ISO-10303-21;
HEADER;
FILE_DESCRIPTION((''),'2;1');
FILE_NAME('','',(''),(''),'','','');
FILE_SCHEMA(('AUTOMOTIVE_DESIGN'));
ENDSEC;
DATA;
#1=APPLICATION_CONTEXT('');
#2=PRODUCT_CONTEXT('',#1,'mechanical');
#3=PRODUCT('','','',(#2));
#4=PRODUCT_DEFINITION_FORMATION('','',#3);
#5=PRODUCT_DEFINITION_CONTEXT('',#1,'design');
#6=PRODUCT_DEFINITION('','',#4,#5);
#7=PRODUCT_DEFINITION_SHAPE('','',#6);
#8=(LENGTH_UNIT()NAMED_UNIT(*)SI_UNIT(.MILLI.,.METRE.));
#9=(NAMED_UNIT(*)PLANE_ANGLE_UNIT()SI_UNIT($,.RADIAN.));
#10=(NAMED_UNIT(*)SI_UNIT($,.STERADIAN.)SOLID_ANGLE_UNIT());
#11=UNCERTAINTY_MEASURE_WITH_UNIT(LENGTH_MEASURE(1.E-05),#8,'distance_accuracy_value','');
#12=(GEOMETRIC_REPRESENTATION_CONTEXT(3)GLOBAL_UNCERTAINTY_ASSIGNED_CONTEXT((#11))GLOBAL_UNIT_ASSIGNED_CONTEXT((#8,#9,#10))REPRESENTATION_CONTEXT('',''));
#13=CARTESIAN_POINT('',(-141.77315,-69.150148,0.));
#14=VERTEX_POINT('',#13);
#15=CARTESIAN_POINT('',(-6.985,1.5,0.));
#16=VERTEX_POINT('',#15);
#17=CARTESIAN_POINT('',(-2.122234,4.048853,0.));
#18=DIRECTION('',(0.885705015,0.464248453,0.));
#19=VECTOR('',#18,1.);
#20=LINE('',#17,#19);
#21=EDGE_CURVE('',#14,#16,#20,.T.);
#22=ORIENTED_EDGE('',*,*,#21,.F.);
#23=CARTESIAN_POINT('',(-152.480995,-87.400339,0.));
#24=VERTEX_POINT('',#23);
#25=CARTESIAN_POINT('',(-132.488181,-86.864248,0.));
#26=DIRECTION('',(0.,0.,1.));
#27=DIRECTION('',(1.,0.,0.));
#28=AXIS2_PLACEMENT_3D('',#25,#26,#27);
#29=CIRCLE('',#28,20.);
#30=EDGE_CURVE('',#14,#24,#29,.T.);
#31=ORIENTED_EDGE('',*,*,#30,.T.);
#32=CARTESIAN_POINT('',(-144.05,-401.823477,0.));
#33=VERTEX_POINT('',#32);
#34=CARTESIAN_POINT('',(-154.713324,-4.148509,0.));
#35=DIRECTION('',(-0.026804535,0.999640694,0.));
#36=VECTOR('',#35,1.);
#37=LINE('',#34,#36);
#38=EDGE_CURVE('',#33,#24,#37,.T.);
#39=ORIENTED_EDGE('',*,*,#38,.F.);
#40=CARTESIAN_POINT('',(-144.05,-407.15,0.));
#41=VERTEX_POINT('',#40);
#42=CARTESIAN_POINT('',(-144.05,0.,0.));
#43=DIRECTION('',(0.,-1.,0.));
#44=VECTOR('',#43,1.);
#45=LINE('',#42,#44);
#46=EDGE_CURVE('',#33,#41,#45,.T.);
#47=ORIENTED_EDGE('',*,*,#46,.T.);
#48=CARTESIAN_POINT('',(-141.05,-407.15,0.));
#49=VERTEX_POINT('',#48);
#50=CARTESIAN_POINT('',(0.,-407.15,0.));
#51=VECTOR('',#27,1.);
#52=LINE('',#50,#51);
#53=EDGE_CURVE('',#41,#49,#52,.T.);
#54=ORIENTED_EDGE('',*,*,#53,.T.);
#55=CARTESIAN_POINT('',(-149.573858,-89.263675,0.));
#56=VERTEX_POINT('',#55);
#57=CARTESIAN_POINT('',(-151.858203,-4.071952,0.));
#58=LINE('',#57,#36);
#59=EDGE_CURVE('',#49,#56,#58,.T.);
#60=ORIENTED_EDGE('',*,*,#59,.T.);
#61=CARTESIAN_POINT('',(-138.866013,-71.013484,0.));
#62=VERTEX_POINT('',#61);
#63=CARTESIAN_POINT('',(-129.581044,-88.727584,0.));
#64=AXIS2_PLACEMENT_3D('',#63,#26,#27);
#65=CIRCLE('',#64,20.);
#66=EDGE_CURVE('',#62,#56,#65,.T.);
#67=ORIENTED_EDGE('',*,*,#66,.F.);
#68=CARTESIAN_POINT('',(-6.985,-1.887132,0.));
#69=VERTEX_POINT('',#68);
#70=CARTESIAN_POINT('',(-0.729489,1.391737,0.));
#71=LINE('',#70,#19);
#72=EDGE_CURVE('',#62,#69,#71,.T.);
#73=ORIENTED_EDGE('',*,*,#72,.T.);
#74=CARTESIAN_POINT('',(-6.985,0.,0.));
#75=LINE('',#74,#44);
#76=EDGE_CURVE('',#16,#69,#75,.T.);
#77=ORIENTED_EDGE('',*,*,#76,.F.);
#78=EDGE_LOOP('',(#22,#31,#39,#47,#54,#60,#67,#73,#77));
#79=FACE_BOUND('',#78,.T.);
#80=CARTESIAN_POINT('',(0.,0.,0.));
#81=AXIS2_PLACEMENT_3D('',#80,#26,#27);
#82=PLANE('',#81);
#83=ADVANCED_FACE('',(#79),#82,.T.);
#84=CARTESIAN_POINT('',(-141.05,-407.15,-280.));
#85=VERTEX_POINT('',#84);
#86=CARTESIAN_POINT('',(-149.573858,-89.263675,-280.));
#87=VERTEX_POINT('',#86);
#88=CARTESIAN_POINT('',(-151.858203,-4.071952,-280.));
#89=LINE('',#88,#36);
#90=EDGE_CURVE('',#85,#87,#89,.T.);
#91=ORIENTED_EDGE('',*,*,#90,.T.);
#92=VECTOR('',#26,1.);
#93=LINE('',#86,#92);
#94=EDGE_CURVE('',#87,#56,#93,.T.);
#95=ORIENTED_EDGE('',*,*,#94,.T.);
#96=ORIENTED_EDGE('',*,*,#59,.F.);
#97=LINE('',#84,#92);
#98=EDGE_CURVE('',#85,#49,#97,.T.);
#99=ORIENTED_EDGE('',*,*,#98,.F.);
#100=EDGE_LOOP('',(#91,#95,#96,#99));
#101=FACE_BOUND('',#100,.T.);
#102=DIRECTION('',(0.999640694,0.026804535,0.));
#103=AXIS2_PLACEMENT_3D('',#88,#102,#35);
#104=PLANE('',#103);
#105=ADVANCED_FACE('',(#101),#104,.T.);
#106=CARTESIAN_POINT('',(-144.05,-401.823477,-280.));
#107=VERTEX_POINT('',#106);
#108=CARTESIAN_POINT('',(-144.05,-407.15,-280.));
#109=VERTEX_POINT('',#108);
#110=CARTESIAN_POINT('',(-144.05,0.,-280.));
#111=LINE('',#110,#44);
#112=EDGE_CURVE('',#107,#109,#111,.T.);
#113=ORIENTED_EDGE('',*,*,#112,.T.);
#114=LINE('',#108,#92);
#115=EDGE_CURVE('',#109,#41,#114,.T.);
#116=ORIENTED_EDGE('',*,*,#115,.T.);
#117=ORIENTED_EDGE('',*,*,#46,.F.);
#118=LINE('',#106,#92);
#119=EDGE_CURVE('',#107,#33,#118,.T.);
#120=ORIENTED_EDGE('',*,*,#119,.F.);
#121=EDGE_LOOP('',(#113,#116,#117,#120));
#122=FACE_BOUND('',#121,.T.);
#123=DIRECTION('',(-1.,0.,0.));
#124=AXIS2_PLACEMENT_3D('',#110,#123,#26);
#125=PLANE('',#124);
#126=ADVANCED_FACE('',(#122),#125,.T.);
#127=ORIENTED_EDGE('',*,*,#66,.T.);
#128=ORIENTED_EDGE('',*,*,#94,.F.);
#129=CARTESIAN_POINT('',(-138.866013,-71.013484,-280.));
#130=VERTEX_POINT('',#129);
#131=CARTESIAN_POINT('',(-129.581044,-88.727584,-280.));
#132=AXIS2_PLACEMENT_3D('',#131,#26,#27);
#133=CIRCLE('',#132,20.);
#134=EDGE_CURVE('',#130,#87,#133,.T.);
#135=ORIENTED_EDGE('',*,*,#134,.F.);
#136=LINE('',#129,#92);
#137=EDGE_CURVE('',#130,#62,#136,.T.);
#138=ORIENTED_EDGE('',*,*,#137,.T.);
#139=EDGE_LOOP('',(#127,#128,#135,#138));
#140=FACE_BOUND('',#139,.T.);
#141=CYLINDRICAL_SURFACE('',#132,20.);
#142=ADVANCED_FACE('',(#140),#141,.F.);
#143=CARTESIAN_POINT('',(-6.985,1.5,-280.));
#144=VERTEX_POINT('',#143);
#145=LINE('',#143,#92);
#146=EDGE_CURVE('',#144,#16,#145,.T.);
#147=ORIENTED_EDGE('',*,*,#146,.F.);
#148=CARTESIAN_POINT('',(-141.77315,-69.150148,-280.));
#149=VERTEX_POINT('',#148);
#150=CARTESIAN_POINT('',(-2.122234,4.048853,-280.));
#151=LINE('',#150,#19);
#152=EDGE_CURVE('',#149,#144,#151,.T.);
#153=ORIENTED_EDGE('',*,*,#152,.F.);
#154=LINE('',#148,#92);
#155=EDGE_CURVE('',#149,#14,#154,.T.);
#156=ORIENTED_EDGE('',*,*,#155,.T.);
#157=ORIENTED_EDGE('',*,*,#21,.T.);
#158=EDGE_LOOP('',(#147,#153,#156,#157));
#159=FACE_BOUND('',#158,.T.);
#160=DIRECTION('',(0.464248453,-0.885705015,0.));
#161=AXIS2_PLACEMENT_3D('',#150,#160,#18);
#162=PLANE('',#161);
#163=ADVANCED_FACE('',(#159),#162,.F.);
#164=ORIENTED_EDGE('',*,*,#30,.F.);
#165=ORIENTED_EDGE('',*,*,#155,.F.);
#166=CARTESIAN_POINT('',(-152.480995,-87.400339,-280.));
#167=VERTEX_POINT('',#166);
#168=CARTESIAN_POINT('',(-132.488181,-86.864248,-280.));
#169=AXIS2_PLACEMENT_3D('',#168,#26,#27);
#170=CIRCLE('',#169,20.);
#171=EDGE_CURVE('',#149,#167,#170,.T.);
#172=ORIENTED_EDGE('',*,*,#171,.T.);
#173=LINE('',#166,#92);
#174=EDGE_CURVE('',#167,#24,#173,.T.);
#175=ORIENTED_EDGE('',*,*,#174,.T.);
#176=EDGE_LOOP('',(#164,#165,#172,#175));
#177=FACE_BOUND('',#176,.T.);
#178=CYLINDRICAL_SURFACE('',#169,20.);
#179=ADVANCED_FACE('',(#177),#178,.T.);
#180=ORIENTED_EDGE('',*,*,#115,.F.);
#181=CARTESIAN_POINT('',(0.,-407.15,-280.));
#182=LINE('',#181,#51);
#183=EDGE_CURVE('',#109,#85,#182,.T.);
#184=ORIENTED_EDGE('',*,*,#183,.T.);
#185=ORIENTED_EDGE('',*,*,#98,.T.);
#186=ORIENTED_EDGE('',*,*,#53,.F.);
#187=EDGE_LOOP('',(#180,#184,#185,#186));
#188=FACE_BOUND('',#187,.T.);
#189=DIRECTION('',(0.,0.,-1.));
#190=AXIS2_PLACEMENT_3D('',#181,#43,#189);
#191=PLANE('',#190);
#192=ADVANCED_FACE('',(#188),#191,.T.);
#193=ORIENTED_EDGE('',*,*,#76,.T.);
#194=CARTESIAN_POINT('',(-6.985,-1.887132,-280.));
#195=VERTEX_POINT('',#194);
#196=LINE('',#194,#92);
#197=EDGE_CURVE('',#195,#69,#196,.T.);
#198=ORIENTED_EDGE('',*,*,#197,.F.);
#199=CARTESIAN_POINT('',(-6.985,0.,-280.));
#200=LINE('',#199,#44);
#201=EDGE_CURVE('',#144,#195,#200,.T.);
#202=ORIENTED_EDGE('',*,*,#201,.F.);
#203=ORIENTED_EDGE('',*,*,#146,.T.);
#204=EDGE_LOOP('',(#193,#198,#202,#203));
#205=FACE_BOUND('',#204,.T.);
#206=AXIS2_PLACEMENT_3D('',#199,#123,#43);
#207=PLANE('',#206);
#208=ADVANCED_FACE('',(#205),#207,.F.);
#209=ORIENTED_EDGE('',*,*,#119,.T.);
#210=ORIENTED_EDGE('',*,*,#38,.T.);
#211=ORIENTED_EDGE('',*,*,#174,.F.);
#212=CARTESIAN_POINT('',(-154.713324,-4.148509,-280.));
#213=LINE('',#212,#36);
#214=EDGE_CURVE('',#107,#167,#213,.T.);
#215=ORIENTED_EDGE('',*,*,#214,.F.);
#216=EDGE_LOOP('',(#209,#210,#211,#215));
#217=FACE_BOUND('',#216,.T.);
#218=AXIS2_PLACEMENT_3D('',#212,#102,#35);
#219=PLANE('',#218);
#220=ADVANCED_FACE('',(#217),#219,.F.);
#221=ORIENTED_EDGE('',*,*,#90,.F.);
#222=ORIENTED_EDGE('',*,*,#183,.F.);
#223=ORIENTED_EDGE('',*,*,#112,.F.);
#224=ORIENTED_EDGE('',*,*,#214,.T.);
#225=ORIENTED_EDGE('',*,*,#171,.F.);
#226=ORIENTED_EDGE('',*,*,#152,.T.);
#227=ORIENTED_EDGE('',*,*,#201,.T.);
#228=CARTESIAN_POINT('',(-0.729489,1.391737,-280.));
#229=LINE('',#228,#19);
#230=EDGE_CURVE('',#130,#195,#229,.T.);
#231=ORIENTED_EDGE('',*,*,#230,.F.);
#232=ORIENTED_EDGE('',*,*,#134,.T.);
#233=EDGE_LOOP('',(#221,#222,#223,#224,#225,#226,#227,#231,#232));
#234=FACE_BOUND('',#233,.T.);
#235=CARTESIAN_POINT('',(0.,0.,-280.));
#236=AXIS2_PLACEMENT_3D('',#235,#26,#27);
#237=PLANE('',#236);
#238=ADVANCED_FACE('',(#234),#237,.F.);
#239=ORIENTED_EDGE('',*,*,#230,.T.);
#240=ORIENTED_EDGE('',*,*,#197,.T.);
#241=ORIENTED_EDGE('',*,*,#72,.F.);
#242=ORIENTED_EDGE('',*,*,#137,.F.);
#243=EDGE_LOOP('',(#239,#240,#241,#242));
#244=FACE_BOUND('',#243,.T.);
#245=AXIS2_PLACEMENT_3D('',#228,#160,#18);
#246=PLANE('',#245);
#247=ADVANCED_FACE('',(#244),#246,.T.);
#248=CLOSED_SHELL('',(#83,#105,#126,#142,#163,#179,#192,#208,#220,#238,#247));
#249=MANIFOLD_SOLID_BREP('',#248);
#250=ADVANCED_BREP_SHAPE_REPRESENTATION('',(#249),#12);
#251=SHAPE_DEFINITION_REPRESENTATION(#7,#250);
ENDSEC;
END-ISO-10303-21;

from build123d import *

# Parameters (mm, degrees)
BOSS_EXTRUDE1_DEPTH = 280


with BuildPart() as part:
    # Sketch1 → Boss-Extrude1 (new body)
    with BuildSketch(Plane.XY):
        with BuildLine():
            Line((-6.985, -1.5), (-6.985, 0))
            Line((-6.985, 0), (-6.985, 1.5))
            Line((-6.985, 1.5), (-141.773150354, -69.150147775))
            ThreePointArc((-141.773150354, -69.150147775), (-149.738239599, -76.743206199), (-152.480995182, -87.400338774))
            Line((-152.480995182, -87.400338774), (-144.05, -401.823477062))
            Line((-144.05, -401.823477062), (-144.05, -407.15))
            Line((-144.05, -407.15), (-141.05, -407.15))
            Line((-141.05, -407.15), (-149.573857666, -89.263674623))
            ThreePointArc((-149.573857666, -89.263674623), (-146.831102083, -78.606542048), (-138.866012838, -71.013483624))
            Line((-138.866012838, -71.013483624), (-6.985, -1.887132226))
            Line((-6.985, -1.887132226), (-6.985, -1.5))
        make_face()
    extrude(amount=-BOSS_EXTRUDE1_DEPTH)


solid = part.part
